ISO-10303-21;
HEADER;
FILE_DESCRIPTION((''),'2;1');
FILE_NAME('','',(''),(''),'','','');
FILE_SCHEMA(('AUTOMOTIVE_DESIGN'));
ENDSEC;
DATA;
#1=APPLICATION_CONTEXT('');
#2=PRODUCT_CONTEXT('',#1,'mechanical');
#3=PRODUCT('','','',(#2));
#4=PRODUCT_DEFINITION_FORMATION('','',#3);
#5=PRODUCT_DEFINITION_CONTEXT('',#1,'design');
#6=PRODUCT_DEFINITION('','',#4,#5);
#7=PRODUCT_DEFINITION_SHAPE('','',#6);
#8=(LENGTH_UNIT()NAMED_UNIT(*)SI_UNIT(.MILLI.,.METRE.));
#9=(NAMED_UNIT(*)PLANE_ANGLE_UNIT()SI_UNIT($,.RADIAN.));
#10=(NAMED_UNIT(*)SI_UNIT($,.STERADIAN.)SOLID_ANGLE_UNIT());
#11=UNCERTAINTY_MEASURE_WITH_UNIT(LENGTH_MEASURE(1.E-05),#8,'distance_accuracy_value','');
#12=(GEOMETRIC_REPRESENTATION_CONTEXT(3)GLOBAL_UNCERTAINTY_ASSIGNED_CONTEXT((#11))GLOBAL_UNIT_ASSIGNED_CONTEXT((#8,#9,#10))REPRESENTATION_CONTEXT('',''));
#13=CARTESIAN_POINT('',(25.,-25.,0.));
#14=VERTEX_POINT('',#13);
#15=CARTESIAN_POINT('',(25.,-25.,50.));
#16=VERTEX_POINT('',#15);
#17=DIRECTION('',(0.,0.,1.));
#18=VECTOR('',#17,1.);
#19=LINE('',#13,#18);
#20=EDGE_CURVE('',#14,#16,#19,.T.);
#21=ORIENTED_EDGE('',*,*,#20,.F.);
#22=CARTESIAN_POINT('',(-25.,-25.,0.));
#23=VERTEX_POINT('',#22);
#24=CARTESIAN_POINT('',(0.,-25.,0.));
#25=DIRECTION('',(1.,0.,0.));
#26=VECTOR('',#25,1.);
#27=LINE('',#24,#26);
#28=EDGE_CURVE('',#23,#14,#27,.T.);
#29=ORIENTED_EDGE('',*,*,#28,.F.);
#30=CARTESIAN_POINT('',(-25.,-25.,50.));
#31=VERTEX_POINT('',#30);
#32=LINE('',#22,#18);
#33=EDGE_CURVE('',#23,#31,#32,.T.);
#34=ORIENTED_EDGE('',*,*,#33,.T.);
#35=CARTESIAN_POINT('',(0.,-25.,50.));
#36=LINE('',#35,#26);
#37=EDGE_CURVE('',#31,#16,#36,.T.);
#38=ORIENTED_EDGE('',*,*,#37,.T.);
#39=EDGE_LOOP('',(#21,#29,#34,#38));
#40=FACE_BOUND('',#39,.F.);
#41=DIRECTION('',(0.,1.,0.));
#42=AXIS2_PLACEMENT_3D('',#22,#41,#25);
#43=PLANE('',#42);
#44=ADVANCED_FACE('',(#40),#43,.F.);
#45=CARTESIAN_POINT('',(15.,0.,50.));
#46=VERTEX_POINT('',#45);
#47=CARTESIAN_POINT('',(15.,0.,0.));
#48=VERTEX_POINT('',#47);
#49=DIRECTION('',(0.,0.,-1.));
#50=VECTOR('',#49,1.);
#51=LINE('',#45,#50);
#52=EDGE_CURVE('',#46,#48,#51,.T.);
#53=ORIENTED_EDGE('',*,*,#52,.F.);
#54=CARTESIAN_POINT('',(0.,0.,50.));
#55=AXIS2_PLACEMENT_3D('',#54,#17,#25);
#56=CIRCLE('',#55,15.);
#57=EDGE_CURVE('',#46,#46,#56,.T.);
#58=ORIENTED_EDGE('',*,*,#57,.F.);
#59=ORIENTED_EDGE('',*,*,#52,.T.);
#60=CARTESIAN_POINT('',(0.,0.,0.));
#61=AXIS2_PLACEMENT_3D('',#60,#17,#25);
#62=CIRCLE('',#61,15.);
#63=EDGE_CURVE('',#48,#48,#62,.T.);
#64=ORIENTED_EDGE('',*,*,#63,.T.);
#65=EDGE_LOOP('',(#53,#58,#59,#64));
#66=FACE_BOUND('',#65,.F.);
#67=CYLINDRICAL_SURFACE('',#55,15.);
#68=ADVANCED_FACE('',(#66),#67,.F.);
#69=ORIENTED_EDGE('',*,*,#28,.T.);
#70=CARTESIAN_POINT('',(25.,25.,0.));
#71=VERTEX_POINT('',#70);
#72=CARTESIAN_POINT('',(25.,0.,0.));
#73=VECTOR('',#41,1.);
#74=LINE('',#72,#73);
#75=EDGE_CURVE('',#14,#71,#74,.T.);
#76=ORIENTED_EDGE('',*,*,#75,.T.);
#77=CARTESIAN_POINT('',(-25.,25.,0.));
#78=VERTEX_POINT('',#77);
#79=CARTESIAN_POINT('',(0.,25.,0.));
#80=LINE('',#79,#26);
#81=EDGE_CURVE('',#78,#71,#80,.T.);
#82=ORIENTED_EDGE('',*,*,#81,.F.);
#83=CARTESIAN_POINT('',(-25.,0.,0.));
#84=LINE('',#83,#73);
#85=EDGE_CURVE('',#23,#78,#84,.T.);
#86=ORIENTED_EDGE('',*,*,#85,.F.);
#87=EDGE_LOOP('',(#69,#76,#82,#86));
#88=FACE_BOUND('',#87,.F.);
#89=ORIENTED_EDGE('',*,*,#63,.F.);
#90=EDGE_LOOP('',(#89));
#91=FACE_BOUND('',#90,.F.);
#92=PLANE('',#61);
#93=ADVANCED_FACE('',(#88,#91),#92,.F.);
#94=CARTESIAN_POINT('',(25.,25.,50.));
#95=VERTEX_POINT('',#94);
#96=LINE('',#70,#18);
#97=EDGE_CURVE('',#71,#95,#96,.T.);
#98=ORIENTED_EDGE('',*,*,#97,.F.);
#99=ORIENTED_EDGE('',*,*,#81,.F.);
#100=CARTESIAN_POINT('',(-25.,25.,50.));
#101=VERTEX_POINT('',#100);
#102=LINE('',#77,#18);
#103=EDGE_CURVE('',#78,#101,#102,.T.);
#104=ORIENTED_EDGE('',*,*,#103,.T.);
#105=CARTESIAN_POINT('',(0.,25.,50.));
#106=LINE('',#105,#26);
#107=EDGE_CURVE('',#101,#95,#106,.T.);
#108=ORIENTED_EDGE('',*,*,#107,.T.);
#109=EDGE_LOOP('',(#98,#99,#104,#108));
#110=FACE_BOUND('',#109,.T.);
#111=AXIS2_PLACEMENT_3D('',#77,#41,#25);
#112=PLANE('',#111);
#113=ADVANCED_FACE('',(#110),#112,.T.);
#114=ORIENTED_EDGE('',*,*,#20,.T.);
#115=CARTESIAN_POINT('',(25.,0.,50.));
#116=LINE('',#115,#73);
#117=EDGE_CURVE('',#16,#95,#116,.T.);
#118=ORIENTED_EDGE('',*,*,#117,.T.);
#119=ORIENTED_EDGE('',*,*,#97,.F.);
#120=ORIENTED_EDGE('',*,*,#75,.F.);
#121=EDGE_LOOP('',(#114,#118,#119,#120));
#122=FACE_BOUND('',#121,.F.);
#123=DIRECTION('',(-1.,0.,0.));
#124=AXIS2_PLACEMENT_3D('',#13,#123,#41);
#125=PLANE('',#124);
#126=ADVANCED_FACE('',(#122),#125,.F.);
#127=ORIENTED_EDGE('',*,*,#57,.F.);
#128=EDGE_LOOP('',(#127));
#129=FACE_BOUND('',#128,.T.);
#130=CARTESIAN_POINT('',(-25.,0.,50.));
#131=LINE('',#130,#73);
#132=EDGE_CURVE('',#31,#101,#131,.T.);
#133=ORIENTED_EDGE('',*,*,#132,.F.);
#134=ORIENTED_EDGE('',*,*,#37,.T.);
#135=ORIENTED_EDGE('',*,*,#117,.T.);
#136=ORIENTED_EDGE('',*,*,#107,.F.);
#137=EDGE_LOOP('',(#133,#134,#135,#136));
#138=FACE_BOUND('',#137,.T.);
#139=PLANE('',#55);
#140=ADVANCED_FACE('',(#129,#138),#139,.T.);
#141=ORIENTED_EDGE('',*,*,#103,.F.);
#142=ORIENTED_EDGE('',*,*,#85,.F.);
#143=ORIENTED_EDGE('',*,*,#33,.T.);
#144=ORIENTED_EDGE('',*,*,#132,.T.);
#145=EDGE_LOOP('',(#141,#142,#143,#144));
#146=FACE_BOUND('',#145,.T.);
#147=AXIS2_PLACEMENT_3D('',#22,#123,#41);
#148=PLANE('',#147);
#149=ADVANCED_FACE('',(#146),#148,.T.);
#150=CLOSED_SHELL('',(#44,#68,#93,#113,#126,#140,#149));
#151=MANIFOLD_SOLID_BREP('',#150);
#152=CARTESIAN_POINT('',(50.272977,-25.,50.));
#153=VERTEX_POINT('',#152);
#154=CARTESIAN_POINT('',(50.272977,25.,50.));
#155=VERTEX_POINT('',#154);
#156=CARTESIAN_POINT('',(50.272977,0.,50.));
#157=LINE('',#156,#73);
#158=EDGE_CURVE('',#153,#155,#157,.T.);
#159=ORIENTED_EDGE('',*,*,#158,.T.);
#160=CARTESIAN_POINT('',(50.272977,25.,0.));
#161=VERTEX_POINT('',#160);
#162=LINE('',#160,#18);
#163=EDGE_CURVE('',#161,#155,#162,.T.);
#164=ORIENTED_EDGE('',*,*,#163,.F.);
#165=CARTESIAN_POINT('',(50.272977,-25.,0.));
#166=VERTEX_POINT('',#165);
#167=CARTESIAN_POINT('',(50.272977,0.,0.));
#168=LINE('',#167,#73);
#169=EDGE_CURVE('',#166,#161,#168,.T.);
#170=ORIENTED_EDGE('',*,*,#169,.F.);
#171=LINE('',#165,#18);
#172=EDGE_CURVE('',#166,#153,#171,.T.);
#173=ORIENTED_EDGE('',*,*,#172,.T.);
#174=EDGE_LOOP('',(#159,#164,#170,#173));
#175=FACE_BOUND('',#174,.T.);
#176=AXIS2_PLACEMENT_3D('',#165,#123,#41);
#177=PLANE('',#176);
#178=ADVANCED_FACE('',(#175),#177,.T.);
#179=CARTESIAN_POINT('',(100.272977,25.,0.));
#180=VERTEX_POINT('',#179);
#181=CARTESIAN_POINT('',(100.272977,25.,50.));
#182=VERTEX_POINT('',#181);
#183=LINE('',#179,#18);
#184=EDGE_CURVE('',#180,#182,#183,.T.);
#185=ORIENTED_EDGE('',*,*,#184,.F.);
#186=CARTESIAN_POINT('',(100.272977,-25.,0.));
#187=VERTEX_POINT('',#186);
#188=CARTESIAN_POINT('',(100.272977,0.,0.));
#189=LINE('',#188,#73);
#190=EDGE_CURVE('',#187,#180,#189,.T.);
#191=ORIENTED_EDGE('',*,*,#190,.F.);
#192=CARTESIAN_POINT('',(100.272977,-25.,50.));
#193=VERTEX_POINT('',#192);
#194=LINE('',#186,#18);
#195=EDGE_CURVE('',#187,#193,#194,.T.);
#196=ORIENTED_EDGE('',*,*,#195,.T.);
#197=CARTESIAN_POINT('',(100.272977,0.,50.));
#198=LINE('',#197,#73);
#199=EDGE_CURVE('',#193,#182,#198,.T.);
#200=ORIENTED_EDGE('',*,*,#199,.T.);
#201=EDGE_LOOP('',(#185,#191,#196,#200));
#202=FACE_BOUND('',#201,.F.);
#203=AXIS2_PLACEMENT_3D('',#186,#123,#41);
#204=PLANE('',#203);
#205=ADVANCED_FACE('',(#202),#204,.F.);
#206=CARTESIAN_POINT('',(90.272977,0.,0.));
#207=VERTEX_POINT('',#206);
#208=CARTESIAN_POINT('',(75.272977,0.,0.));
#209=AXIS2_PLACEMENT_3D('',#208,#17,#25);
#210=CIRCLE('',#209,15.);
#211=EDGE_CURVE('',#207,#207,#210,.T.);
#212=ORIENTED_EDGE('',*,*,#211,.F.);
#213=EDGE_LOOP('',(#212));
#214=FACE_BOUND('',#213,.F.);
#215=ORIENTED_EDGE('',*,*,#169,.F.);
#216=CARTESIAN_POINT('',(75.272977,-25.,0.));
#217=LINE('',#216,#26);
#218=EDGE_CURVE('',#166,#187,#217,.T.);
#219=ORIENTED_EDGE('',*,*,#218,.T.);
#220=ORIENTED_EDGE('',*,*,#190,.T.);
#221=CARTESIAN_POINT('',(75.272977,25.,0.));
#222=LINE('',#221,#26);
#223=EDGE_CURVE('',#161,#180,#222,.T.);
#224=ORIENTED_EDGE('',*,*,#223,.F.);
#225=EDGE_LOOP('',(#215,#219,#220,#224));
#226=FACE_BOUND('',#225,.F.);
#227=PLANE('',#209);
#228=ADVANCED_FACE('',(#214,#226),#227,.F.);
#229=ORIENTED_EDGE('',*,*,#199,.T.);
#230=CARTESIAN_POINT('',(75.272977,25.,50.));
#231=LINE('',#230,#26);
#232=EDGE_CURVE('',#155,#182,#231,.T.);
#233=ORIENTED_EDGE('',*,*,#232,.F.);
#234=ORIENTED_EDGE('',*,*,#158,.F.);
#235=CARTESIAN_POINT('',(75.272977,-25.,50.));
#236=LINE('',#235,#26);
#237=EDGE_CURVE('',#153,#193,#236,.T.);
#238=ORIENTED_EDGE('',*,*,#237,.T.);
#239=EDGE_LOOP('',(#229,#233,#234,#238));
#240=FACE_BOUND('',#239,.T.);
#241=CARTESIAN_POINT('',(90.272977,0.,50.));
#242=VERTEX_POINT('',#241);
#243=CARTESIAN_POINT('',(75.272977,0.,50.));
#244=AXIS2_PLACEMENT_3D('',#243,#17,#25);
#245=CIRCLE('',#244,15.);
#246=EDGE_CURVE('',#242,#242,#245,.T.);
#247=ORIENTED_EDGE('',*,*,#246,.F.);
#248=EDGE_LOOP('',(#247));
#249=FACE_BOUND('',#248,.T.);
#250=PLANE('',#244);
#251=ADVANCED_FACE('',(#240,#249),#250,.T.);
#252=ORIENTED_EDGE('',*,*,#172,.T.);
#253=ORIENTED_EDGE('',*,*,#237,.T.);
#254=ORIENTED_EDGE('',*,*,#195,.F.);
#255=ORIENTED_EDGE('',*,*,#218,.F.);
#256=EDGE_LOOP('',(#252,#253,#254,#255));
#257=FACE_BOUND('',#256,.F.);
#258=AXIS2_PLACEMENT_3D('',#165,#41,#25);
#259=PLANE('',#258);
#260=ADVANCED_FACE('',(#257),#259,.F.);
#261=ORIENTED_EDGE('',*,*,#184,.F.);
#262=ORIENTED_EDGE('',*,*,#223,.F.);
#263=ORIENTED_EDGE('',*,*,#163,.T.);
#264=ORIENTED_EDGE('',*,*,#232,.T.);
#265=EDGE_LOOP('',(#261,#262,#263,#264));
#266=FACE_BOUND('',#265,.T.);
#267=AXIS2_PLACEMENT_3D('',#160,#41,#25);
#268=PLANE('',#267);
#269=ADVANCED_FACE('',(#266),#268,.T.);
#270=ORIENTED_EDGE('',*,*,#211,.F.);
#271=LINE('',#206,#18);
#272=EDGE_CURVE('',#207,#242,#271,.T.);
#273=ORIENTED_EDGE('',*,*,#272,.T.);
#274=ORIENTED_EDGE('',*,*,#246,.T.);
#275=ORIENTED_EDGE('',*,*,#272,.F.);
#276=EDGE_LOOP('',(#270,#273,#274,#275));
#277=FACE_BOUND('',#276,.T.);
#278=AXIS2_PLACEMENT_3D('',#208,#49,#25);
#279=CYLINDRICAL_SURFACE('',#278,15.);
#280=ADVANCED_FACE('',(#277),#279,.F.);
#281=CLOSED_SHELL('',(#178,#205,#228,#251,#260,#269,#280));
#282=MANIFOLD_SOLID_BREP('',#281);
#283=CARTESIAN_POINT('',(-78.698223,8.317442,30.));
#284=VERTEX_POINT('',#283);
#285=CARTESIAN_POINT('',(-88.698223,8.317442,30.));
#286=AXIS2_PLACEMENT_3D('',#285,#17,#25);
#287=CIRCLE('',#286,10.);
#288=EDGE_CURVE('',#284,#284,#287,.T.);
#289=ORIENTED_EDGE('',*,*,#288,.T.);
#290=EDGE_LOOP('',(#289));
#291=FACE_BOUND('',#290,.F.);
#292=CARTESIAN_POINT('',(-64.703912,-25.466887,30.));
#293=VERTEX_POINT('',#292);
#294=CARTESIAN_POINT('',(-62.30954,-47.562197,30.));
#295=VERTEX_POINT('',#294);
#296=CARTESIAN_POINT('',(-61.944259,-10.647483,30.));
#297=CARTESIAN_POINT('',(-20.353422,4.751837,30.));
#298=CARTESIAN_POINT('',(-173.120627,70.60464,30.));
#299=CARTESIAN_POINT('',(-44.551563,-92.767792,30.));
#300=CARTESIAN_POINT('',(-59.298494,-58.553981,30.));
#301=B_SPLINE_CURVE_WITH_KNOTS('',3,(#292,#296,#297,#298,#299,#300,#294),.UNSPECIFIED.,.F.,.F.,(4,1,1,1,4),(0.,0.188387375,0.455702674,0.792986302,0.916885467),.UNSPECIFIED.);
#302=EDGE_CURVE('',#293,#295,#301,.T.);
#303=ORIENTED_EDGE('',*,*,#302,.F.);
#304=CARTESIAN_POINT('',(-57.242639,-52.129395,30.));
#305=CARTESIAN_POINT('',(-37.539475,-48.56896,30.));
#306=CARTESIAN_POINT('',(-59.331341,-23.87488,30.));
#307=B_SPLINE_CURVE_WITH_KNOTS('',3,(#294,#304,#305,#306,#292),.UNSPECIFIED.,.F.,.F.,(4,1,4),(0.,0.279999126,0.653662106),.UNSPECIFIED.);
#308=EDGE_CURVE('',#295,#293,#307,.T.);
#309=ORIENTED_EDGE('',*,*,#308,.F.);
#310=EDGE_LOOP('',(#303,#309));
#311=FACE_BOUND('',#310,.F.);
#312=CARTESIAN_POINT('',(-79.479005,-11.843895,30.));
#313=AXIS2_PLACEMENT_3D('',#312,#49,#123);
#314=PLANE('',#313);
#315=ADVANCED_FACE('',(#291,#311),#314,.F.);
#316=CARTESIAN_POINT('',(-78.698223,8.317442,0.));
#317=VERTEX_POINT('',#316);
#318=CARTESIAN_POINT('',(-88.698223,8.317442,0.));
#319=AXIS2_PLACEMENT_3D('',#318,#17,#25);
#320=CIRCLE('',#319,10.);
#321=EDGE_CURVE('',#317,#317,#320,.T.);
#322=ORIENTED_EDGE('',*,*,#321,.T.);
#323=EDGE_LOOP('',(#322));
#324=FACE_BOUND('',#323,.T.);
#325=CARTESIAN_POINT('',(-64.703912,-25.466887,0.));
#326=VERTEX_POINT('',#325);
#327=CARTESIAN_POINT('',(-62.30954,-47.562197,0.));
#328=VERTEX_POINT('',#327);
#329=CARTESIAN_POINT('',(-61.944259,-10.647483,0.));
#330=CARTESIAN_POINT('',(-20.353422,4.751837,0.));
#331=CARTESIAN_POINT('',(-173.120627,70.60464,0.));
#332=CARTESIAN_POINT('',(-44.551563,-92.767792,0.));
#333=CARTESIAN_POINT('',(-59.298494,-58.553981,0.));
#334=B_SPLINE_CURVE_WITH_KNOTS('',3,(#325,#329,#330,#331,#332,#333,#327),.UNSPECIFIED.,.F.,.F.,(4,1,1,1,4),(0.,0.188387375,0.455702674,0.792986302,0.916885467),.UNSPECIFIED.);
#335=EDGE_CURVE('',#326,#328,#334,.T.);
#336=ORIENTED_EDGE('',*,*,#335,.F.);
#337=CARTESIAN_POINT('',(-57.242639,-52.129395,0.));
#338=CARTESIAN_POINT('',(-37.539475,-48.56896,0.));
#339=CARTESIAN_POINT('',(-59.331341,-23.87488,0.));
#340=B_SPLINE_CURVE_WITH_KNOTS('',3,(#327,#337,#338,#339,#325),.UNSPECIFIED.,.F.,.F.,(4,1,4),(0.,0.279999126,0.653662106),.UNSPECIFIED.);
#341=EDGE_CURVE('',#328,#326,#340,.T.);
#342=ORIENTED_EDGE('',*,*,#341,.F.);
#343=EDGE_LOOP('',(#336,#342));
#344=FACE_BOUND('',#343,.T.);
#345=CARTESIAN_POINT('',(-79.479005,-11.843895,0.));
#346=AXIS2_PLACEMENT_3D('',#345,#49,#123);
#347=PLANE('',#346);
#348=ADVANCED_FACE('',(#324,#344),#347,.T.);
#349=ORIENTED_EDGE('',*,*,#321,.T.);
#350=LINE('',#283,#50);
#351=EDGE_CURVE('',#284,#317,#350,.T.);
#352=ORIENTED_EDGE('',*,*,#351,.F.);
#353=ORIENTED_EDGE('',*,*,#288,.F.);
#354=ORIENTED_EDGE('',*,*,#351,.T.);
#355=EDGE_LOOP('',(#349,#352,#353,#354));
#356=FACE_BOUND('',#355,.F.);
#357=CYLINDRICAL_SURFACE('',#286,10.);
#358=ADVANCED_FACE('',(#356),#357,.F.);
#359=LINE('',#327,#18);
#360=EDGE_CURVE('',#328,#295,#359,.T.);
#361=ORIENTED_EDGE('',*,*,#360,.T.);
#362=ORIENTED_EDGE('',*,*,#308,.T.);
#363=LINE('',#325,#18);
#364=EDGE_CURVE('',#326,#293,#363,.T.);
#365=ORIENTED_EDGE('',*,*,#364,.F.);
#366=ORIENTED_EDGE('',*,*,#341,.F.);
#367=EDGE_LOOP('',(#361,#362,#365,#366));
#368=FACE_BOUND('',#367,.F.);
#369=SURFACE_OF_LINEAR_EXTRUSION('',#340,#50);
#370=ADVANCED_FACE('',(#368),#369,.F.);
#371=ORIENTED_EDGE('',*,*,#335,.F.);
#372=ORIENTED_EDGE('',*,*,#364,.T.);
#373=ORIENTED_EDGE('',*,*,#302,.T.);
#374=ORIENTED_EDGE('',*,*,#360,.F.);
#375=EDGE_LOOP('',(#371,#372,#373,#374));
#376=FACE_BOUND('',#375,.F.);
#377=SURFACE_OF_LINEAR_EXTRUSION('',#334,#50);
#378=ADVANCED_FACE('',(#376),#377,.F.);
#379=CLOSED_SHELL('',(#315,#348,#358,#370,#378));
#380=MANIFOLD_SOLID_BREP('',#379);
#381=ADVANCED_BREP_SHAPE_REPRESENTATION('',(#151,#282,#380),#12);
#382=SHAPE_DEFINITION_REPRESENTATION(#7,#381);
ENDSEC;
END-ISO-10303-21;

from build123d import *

# Parameters (mm, degrees)
F0_W     = 50
F0_H     = 50
F1_DEPTH = 50
F2_R     = 15
F3_DEPTH = 50
F4_W     = 50
F4_H     = 50
F4_R     = 15
F5_DEPTH = 50
F7_DEPTH = 30
F8_R     = 10
F9_DEPTH = 30


with BuildPart() as f1:
    # F0 (on Top) → F1 (new body)
    with BuildSketch(Plane.XY):
        Rectangle(F0_W, F0_H)
    extrude(amount=F1_DEPTH)

    # F2 (on face) → F3 (cut)
    with BuildSketch(Plane.XY.offset(50)):
        Circle(F2_R)
    extrude(amount=-F3_DEPTH, mode=Mode.SUBTRACT)


with BuildPart() as f5:
    # F4 (on Top) → F5 (new body)
    with BuildSketch(Plane.XY):
        with Locations((75.2729773521, 0)):
            Rectangle(F4_W, F4_H)
        with Locations((75.2729773521, 0)):
            Circle(F4_R, mode=Mode.SUBTRACT)
    extrude(amount=F5_DEPTH)


with BuildPart() as f7:
    # F6 (on Top) → F7 (new body)
    with BuildSketch(Plane.XY):
        with BuildLine():
            add(Edge.make_bspline(
                [(-64.7039115429, -25.4668872803), (-69.6835985804, -26.9424751558), (-68.5769154664, -41.9129153667), (-62.3095395677, -47.5621969519)],
                knots=[0.6536621063, 0.6536621063, 0.6536621063, 0.6536621063, 1, 1, 1, 1], degree=3))
            add(Edge.make_bspline(
                [(-64.7039115429, -25.4668872803), (-61.9442588341, -10.6474826983), (-20.3534218039, 4.751836798), (-173.1206274633, 70.604640196), (-44.5515628436, -92.7677922159), (-59.2984936588, -58.5539814373), (-62.3095395677, -47.5621969519)],
                knots=[0, 0, 0, 0, 0.1883873751, 0.4557026741, 0.7929863019, 0.9168854668, 0.9168854668, 0.9168854668, 0.9168854668], degree=3))
        make_face()
        with BuildLine():
            add(Edge.make_bspline(
                [(-62.3095395677, -47.5621969519), (-57.2426387105, -52.1293954365), (-37.5394746181, -48.5689596674), (-59.331341184, -23.8748796658), (-64.7039115429, -25.4668872803)],
                knots=[0, 0, 0, 0, 0.2799991255, 0.6536621063, 0.6536621063, 0.6536621063, 0.6536621063], degree=3))
            add(Edge.make_bspline(
                [(-62.3095395677, -47.5621969519), (-64.329421424, -40.1886441332), (-65.9214413619, -32.005053087), (-64.7039115429, -25.4668872803)],
                knots=[0.9168854668, 0.9168854668, 0.9168854668, 0.9168854668, 1, 1, 1, 1], degree=3))
        make_face()
        with BuildLine():
            add(Edge.make_bspline(
                [(-62.3095395677, -47.5621969519), (-64.329421424, -40.1886441332), (-65.9214413619, -32.005053087), (-64.7039115429, -25.4668872803)],
                knots=[0.9168854668, 0.9168854668, 0.9168854668, 0.9168854668, 1, 1, 1, 1], degree=3))
            add(Edge.make_bspline(
                [(-64.7039115429, -25.4668872803), (-69.6835985804, -26.9424751558), (-68.5769154664, -41.9129153667), (-62.3095395677, -47.5621969519)],
                knots=[0.6536621063, 0.6536621063, 0.6536621063, 0.6536621063, 1, 1, 1, 1], degree=3))
        make_face()
    extrude(amount=F7_DEPTH)

    # F8 (on face) → F9 (cut)
    with BuildSketch(Plane.XY.offset(30)):
        with Locations((-88.6982232332, 8.3174416795)):
            Circle(F8_R)
    extrude(amount=-F9_DEPTH, mode=Mode.SUBTRACT)


solid = Compound([f1.part, f5.part, f7.part])
